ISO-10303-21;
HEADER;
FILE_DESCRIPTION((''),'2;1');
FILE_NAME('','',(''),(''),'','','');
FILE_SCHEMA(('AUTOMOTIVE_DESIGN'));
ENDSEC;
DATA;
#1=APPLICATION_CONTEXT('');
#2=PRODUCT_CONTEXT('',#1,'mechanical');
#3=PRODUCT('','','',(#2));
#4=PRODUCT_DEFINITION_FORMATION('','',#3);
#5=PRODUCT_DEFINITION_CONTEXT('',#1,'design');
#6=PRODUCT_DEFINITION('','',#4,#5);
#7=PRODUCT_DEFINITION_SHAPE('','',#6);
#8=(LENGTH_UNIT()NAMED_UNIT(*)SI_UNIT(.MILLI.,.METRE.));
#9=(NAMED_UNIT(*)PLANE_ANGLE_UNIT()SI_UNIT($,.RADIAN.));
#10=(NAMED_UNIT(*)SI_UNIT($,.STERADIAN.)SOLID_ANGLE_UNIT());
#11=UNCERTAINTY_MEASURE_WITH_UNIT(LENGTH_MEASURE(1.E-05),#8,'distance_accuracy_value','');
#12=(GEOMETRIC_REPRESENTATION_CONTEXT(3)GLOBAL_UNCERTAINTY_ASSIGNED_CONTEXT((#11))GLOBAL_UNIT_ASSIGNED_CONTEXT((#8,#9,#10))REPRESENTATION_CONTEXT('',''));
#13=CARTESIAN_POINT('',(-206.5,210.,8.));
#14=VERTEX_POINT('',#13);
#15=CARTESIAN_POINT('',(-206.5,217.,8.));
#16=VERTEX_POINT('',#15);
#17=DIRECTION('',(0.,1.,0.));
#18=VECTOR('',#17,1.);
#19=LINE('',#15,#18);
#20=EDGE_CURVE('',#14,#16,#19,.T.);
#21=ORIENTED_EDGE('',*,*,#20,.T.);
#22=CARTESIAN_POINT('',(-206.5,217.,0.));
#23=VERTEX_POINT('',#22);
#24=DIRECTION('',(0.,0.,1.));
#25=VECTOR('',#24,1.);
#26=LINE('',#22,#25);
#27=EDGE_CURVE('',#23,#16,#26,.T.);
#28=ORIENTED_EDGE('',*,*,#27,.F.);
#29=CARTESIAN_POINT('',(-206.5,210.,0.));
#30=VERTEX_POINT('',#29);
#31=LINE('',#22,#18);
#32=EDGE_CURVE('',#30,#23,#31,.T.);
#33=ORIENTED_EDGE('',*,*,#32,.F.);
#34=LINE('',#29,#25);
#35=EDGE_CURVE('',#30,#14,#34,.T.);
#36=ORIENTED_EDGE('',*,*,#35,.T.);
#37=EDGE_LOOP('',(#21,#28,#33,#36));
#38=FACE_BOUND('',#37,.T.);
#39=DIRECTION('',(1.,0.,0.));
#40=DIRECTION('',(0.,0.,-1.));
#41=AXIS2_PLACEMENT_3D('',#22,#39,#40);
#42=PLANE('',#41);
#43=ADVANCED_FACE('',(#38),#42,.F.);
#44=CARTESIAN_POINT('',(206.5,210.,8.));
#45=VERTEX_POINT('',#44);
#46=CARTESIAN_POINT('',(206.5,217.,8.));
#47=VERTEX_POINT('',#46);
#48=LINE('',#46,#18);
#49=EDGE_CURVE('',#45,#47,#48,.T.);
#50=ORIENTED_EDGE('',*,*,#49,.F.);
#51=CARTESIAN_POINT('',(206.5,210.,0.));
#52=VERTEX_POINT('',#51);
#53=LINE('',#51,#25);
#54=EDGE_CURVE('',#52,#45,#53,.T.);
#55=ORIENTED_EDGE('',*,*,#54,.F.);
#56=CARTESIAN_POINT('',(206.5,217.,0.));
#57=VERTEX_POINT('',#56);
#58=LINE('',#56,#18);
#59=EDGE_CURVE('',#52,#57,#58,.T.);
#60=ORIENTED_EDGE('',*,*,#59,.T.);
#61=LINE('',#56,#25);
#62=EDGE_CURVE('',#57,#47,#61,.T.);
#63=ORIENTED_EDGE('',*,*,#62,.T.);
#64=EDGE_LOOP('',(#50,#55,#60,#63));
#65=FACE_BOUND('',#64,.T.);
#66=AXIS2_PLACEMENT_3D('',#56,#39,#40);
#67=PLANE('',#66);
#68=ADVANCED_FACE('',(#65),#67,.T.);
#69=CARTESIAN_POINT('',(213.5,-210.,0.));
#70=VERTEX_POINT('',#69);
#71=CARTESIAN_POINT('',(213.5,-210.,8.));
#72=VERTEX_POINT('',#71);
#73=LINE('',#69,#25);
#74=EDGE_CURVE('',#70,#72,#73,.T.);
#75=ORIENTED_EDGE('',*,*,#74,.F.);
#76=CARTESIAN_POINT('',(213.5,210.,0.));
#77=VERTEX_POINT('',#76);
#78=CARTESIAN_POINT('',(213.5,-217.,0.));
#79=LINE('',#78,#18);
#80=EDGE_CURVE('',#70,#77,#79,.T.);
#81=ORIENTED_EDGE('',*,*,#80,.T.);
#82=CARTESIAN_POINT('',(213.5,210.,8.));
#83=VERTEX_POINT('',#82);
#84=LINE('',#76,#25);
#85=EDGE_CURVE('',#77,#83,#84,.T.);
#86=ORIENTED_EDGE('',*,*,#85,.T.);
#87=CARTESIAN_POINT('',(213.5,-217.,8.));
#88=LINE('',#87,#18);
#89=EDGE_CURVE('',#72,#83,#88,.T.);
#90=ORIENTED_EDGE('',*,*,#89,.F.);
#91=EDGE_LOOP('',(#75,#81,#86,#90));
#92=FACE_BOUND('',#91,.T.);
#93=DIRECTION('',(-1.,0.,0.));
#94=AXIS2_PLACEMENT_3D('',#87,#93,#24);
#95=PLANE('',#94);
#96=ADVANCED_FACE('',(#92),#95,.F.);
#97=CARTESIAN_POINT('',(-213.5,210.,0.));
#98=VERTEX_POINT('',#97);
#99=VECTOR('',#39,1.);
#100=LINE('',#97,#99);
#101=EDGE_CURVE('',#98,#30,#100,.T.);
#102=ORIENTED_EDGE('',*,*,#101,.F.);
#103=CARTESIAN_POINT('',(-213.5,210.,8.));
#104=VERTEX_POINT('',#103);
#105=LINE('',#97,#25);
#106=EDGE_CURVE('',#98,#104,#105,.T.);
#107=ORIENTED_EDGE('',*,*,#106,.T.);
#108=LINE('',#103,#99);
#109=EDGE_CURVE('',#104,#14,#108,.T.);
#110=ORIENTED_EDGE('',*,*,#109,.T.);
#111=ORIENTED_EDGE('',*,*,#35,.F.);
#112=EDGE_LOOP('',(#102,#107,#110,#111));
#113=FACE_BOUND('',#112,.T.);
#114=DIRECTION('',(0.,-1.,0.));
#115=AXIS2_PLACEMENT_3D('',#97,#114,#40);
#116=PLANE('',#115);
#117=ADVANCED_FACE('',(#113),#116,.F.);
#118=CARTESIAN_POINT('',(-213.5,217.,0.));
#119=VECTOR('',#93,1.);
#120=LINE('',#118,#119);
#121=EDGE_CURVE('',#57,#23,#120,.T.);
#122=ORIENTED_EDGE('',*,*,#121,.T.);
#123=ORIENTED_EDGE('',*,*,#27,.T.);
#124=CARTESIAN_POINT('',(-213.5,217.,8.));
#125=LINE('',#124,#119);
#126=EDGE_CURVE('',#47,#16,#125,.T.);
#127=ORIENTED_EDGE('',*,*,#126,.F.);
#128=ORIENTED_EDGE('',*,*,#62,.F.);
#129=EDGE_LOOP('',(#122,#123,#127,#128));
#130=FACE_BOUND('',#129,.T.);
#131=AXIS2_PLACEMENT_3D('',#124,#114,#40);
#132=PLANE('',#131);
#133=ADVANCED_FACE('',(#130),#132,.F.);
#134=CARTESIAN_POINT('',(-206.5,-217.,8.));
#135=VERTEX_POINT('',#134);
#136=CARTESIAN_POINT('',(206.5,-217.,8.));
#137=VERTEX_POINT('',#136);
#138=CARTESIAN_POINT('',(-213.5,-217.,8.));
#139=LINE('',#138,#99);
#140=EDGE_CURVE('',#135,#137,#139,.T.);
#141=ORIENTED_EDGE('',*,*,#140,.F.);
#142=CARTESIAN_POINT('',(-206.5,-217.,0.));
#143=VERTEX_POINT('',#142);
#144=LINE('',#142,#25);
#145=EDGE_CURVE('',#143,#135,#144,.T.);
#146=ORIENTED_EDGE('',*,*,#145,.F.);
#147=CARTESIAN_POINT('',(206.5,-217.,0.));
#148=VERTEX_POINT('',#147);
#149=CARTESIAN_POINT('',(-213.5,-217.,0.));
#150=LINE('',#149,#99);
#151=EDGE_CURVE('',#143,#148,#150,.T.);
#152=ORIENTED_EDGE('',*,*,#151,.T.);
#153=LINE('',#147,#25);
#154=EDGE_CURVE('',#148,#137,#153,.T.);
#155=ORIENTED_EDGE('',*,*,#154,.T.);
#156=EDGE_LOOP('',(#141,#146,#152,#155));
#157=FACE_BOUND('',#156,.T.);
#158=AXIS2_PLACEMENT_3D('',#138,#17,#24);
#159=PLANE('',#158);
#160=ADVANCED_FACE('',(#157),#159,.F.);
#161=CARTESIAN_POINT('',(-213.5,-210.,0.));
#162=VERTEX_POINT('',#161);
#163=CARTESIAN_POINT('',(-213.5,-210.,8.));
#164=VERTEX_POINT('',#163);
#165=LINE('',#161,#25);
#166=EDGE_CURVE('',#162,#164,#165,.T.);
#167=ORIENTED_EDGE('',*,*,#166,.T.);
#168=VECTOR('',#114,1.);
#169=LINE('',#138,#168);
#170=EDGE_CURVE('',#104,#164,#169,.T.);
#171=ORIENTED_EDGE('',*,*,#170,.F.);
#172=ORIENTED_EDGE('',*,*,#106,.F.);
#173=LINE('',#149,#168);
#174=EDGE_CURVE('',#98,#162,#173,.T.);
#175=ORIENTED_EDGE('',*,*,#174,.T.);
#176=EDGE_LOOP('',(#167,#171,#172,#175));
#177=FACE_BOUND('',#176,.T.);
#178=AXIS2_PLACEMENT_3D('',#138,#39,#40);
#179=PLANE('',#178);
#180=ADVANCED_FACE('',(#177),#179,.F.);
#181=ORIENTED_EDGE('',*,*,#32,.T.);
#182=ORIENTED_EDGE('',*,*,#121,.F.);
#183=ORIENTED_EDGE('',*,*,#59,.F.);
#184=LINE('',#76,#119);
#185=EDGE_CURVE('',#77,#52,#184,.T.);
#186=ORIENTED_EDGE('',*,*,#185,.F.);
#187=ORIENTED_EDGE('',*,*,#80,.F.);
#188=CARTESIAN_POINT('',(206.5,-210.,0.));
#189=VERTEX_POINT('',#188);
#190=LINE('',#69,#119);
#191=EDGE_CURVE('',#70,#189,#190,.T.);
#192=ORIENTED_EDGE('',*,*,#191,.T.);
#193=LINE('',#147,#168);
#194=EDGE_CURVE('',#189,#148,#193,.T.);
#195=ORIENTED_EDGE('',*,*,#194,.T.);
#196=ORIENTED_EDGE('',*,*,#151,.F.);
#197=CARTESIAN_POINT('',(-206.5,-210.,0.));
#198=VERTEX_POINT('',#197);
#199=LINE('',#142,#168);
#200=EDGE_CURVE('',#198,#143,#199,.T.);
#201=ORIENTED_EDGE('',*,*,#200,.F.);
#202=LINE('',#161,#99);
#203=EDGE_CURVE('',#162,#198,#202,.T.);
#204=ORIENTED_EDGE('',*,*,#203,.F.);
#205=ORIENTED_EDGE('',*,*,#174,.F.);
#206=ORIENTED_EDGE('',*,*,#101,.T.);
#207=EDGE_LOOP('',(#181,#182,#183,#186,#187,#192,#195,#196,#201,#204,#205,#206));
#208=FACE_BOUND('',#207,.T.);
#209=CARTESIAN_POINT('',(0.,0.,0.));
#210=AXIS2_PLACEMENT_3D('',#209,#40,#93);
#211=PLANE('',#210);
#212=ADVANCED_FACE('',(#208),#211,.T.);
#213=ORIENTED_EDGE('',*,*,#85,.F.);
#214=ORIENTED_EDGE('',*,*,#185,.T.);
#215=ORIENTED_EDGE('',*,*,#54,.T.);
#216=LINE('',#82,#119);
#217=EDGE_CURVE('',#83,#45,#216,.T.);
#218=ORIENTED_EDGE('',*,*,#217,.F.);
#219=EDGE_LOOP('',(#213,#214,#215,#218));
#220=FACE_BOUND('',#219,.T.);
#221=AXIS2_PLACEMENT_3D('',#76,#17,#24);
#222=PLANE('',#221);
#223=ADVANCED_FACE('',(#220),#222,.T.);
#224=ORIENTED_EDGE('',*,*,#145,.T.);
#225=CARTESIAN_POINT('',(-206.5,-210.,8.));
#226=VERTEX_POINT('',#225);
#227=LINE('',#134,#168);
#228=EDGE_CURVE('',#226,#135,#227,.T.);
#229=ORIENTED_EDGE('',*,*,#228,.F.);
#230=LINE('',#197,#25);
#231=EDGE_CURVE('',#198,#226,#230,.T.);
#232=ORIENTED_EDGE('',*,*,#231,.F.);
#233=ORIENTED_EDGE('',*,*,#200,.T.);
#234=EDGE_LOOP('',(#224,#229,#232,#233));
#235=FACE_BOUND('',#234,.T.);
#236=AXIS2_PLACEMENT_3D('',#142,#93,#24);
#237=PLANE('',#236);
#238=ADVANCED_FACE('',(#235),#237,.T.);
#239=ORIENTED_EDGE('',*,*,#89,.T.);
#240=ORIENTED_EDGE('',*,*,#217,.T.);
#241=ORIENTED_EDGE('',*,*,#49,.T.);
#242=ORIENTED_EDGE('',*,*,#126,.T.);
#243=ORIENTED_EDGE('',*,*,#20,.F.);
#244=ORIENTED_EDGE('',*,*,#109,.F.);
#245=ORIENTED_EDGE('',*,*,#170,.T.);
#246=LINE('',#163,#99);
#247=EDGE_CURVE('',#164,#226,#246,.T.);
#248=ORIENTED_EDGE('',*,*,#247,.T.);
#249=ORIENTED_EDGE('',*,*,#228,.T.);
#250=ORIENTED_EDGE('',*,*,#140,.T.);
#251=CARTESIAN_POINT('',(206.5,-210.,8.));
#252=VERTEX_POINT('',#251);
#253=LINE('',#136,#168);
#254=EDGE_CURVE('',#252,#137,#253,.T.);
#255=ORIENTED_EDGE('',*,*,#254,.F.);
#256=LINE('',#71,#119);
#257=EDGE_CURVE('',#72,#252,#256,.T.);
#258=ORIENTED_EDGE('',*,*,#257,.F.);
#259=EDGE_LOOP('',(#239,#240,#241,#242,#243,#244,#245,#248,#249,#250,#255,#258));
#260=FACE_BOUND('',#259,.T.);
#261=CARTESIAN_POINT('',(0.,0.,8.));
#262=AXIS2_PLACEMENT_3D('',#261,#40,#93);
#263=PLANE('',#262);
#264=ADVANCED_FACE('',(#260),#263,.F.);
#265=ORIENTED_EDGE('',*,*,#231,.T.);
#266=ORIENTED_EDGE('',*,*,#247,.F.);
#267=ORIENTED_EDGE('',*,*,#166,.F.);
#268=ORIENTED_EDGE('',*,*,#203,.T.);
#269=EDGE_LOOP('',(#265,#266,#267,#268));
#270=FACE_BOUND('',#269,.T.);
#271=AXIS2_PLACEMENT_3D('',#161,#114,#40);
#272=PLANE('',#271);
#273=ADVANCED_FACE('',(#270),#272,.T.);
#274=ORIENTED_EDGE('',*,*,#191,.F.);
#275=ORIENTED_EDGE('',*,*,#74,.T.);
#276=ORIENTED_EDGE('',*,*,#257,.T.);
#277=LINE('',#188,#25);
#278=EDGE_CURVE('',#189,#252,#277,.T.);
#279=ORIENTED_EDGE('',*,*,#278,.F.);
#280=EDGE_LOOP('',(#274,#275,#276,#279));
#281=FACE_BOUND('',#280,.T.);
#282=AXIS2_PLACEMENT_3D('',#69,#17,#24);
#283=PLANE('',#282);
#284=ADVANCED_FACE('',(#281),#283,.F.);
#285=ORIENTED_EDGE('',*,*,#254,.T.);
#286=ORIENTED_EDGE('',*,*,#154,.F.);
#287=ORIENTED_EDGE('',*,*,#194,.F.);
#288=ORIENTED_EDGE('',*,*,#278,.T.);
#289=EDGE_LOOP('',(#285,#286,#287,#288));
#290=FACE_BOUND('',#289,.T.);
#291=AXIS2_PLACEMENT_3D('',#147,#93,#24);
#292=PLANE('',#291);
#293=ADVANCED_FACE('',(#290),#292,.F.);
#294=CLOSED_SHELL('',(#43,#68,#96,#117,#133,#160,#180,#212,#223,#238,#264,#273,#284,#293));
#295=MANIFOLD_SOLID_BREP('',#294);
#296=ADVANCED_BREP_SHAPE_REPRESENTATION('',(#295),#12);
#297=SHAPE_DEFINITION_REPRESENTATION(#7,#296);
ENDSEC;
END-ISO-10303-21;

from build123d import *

# Parameters (mm, degrees)
SKETCH1_W               = 427
SKETCH1_H               = 434
BOSS_EXTRUDE1_DEPTH     = 8
SKETCH2_W               = 7
SKETCH2_H               = 7
CUT_EXTRUDE1_DEPTH      = 8
MIRROR2_COPY_1_SKETCH_W = 7
MIRROR2_COPY_1_SKETCH_H = 7
MIRROR2_COPY_1_DEPTH    = 8


with BuildPart() as part:
    # Sketch1 → Boss-Extrude1 (new body)
    with BuildSketch(Plane.XY):
        Rectangle(SKETCH1_W, SKETCH1_H)
    extrude(amount=BOSS_EXTRUDE1_DEPTH)

    # Sketch2 → Cut-Extrude1 (cut)
    with BuildSketch(Plane.XY.offset(8)):
        with Locations((-210, 213.5)):
            Rectangle(SKETCH2_W, SKETCH2_H)
    cut_extrude1 = extrude(amount=-CUT_EXTRUDE1_DEPTH, mode=Mode.SUBTRACT)

    # Mirror1: Cut-Extrude1 across plane
    add(cut_extrude1.mirror(Plane(origin=(0, 0, 0), x_dir=(0, 0, 1), z_dir=(1, 0, 0))), mode=Mode.SUBTRACT)

    # Mirror2: Cut-Extrude1 across plane
    add(cut_extrude1.mirror(Plane.ZX), mode=Mode.SUBTRACT)

    # Mirror2 copy 1 sketch → Mirror2 copy 1 (cut)
    with BuildSketch(Plane(origin=(0, 0, 8), x_dir=(-1, 0, 0), z_dir=(0, 0, 1))):
        with Locations((-210, 213.5)):
            Rectangle(MIRROR2_COPY_1_SKETCH_W, MIRROR2_COPY_1_SKETCH_H)
    extrude(amount=-MIRROR2_COPY_1_DEPTH, mode=Mode.SUBTRACT)


solid = part.part
